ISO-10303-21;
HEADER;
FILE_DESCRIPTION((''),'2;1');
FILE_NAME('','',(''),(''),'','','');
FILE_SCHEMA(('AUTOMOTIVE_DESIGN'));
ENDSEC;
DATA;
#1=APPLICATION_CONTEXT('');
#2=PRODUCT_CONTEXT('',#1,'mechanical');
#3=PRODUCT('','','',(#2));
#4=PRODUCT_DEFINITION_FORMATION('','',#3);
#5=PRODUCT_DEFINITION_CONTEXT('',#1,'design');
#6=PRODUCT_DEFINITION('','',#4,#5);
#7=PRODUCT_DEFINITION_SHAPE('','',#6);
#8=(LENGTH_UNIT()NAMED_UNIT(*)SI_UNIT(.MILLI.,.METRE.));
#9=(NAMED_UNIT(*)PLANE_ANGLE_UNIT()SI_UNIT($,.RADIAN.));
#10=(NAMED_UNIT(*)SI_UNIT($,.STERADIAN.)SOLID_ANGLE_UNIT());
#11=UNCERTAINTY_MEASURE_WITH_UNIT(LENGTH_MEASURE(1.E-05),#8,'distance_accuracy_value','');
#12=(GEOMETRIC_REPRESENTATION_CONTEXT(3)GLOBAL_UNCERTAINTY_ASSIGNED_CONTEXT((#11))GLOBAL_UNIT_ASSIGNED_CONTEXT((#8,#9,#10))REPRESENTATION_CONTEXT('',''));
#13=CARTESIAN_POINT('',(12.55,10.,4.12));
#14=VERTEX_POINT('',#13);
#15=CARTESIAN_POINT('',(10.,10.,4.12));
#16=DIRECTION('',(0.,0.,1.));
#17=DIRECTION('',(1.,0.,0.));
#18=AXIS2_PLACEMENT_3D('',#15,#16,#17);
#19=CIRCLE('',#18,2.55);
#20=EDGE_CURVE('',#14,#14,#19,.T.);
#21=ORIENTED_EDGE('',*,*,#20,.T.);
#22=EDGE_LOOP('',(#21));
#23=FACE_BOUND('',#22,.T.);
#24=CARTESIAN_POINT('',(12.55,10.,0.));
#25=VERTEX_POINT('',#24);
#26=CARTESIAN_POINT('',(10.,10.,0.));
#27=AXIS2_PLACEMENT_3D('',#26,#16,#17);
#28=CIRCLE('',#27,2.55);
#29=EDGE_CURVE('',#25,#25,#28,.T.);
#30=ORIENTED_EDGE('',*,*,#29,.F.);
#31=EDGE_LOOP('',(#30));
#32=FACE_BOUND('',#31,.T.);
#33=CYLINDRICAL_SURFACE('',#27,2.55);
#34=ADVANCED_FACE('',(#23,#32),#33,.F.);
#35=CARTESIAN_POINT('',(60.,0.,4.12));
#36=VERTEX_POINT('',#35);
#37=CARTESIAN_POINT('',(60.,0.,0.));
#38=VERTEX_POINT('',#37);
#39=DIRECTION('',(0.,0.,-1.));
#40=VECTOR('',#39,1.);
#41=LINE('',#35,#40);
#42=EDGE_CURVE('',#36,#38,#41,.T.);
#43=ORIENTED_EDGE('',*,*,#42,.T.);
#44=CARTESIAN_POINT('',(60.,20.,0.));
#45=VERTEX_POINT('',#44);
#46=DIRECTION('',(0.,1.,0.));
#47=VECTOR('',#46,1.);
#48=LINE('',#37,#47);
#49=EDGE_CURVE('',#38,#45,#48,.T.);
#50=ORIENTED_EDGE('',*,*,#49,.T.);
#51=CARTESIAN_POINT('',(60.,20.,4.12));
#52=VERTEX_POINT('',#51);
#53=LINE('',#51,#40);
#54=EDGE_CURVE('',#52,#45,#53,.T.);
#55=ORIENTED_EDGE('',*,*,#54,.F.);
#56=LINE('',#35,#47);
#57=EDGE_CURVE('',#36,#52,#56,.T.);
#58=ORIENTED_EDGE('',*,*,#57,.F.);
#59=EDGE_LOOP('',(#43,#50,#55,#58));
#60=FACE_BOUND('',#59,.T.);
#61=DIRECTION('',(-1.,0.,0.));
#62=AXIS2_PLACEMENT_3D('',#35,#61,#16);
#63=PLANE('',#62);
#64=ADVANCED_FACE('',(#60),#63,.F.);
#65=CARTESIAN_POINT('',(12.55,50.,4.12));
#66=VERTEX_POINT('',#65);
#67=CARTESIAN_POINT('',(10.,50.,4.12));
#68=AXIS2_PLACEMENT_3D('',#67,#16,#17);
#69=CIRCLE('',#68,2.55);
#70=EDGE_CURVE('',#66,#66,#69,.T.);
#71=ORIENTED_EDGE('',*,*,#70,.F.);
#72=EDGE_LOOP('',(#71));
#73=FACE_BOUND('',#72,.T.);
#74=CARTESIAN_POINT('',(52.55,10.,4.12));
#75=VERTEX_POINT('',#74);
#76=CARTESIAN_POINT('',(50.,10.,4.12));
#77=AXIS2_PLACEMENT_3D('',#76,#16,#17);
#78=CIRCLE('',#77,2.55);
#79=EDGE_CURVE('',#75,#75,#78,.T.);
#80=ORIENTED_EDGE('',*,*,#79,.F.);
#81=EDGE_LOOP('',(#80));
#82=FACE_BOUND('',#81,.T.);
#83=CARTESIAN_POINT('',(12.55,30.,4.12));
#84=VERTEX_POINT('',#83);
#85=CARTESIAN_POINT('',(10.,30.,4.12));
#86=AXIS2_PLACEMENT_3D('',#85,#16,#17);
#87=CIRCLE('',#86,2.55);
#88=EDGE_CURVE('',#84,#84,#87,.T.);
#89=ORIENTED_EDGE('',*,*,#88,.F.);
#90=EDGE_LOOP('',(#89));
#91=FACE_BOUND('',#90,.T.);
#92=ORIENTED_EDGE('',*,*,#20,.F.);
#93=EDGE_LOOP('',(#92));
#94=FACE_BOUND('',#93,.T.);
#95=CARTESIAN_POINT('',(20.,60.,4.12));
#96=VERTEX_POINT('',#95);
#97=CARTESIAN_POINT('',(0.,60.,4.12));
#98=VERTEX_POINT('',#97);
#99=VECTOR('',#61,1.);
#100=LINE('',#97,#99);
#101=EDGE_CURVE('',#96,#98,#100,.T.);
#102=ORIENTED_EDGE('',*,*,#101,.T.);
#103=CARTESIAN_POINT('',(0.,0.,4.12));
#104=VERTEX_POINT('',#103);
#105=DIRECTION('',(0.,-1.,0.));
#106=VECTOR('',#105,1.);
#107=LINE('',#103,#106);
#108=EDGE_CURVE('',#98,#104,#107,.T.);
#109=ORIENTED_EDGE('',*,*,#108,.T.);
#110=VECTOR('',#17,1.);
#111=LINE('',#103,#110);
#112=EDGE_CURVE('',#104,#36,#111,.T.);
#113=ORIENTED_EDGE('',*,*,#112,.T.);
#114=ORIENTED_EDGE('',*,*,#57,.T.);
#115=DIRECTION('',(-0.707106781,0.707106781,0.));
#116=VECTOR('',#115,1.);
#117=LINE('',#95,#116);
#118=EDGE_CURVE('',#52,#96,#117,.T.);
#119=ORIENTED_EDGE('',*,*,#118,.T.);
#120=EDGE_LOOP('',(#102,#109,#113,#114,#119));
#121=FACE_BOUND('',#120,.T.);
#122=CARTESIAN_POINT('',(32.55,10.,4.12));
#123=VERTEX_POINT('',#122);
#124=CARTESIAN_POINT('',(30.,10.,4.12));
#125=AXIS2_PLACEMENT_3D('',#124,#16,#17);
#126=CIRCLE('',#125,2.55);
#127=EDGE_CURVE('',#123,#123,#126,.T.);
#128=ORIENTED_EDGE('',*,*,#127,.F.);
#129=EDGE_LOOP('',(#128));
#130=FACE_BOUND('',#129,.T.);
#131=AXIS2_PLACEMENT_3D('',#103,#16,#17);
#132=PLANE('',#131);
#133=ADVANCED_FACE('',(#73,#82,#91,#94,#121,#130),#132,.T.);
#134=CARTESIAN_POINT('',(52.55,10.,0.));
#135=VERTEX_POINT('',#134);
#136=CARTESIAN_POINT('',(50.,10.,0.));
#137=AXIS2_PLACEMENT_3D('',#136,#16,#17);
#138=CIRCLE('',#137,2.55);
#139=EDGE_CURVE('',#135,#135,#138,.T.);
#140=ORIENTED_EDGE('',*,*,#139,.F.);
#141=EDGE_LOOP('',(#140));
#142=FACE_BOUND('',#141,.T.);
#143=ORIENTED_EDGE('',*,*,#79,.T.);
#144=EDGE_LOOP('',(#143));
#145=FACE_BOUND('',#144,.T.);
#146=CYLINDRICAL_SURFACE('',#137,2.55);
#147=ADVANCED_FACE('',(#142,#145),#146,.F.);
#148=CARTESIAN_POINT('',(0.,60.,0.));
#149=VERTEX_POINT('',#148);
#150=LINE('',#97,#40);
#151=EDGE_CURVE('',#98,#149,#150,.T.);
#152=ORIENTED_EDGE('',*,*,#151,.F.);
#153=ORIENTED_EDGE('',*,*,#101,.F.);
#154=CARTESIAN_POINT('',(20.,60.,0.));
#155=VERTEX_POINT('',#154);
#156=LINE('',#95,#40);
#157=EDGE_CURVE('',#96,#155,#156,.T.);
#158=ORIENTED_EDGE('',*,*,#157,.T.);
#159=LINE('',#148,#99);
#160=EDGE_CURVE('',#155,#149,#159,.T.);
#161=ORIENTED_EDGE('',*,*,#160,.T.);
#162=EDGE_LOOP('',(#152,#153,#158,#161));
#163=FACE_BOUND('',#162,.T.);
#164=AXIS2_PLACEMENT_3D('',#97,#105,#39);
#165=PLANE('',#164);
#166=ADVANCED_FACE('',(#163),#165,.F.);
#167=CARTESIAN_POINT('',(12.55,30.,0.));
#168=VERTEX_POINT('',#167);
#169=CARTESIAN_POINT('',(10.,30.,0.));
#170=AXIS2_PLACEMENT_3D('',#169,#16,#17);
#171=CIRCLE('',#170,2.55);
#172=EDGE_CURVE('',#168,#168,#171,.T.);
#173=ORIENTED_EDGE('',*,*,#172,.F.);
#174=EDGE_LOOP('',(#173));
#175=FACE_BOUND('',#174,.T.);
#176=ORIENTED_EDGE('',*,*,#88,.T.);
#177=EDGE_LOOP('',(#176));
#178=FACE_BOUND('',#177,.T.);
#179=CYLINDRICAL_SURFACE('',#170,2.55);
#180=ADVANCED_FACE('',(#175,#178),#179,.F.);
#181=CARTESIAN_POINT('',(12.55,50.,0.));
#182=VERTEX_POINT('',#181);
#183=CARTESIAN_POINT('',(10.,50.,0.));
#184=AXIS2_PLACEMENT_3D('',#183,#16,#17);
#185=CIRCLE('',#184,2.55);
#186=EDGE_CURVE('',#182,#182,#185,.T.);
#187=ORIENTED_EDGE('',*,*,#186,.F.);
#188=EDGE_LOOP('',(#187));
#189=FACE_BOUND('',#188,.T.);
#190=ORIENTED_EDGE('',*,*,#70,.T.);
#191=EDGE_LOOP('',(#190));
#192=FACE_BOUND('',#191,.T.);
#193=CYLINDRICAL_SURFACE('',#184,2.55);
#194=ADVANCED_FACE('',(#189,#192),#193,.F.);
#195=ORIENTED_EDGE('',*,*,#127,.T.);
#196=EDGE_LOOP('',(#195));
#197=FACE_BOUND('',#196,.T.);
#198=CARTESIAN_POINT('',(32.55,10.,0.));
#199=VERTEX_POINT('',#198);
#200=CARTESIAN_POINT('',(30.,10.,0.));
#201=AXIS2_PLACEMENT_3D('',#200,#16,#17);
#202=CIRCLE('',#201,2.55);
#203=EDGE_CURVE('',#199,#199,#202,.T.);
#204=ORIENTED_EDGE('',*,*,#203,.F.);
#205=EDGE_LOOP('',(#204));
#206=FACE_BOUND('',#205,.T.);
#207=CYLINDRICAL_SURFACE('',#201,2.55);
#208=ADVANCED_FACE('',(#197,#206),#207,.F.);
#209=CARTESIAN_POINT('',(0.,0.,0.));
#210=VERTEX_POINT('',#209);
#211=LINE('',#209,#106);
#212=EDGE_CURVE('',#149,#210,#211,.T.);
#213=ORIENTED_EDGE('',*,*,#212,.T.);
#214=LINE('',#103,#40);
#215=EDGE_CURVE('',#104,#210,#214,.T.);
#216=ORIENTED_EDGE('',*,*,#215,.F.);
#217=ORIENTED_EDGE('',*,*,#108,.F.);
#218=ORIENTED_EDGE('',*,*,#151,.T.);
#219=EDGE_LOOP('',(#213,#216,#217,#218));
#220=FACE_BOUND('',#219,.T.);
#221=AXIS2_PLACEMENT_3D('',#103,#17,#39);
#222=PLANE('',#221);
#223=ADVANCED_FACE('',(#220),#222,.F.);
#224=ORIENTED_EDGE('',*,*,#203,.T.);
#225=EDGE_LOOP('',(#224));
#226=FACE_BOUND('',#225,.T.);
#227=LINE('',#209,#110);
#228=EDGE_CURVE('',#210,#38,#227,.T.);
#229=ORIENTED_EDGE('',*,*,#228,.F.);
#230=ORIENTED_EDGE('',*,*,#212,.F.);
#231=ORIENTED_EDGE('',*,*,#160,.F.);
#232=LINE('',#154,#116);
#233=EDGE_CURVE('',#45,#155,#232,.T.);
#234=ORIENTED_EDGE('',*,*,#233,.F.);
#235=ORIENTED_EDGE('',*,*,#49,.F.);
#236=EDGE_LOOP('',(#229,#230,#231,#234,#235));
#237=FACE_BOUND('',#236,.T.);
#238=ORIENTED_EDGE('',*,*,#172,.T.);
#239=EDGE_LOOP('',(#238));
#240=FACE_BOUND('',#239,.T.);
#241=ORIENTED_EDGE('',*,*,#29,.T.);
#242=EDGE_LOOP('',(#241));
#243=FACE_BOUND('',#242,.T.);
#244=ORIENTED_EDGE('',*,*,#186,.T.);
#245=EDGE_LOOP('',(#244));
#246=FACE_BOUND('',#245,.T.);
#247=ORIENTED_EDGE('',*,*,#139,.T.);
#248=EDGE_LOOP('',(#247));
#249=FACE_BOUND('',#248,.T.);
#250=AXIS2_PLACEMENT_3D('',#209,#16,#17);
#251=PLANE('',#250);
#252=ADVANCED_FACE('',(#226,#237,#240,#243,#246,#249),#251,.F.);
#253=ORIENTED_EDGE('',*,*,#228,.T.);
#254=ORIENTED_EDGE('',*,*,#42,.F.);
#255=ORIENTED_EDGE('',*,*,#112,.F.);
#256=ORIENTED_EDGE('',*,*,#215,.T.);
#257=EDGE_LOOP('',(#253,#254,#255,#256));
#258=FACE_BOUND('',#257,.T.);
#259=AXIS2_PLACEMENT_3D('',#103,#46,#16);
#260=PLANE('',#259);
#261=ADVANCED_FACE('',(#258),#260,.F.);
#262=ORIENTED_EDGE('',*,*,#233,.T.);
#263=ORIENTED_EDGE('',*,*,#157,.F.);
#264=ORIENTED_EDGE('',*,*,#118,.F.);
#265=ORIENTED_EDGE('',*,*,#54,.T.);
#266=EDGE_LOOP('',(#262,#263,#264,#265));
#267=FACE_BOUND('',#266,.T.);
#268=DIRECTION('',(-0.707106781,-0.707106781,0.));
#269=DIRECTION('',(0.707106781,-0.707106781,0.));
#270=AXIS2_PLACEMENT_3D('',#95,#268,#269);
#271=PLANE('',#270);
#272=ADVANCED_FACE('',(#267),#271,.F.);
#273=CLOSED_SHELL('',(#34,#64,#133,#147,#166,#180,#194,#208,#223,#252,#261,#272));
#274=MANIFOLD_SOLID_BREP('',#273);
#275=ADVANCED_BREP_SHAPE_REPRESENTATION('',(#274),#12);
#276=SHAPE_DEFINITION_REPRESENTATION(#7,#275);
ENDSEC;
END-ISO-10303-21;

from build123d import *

# Parameters (mm, degrees)
BOSS_EXTRUDE1_DEPTH = 4.12
SKETCH2_R           = 2.55
CUT_EXTRUDE1_DEPTH  = 5.12


with BuildPart() as part:
    # Sketch1 → Boss-Extrude1 (new body)
    with BuildSketch(Plane.XY):
        Polygon((0, 0), (0, 60), (20, 60), (60, 20), (60, 0), align=None)
    extrude(amount=BOSS_EXTRUDE1_DEPTH)

    # Sketch2 → Cut-Extrude1 (cut, through all)
    with BuildSketch(Plane.XY.offset(4.12)):
        with Locations((10, 10)):
            Circle(SKETCH2_R)
        with Locations((30, 10)):
            Circle(SKETCH2_R)
        with Locations((50, 10)):
            Circle(SKETCH2_R)
        with Locations((10, 30)):
            Circle(SKETCH2_R)
        with Locations((10, 50)):
            Circle(SKETCH2_R)
    extrude(amount=-CUT_EXTRUDE1_DEPTH, mode=Mode.SUBTRACT)


solid = part.part
